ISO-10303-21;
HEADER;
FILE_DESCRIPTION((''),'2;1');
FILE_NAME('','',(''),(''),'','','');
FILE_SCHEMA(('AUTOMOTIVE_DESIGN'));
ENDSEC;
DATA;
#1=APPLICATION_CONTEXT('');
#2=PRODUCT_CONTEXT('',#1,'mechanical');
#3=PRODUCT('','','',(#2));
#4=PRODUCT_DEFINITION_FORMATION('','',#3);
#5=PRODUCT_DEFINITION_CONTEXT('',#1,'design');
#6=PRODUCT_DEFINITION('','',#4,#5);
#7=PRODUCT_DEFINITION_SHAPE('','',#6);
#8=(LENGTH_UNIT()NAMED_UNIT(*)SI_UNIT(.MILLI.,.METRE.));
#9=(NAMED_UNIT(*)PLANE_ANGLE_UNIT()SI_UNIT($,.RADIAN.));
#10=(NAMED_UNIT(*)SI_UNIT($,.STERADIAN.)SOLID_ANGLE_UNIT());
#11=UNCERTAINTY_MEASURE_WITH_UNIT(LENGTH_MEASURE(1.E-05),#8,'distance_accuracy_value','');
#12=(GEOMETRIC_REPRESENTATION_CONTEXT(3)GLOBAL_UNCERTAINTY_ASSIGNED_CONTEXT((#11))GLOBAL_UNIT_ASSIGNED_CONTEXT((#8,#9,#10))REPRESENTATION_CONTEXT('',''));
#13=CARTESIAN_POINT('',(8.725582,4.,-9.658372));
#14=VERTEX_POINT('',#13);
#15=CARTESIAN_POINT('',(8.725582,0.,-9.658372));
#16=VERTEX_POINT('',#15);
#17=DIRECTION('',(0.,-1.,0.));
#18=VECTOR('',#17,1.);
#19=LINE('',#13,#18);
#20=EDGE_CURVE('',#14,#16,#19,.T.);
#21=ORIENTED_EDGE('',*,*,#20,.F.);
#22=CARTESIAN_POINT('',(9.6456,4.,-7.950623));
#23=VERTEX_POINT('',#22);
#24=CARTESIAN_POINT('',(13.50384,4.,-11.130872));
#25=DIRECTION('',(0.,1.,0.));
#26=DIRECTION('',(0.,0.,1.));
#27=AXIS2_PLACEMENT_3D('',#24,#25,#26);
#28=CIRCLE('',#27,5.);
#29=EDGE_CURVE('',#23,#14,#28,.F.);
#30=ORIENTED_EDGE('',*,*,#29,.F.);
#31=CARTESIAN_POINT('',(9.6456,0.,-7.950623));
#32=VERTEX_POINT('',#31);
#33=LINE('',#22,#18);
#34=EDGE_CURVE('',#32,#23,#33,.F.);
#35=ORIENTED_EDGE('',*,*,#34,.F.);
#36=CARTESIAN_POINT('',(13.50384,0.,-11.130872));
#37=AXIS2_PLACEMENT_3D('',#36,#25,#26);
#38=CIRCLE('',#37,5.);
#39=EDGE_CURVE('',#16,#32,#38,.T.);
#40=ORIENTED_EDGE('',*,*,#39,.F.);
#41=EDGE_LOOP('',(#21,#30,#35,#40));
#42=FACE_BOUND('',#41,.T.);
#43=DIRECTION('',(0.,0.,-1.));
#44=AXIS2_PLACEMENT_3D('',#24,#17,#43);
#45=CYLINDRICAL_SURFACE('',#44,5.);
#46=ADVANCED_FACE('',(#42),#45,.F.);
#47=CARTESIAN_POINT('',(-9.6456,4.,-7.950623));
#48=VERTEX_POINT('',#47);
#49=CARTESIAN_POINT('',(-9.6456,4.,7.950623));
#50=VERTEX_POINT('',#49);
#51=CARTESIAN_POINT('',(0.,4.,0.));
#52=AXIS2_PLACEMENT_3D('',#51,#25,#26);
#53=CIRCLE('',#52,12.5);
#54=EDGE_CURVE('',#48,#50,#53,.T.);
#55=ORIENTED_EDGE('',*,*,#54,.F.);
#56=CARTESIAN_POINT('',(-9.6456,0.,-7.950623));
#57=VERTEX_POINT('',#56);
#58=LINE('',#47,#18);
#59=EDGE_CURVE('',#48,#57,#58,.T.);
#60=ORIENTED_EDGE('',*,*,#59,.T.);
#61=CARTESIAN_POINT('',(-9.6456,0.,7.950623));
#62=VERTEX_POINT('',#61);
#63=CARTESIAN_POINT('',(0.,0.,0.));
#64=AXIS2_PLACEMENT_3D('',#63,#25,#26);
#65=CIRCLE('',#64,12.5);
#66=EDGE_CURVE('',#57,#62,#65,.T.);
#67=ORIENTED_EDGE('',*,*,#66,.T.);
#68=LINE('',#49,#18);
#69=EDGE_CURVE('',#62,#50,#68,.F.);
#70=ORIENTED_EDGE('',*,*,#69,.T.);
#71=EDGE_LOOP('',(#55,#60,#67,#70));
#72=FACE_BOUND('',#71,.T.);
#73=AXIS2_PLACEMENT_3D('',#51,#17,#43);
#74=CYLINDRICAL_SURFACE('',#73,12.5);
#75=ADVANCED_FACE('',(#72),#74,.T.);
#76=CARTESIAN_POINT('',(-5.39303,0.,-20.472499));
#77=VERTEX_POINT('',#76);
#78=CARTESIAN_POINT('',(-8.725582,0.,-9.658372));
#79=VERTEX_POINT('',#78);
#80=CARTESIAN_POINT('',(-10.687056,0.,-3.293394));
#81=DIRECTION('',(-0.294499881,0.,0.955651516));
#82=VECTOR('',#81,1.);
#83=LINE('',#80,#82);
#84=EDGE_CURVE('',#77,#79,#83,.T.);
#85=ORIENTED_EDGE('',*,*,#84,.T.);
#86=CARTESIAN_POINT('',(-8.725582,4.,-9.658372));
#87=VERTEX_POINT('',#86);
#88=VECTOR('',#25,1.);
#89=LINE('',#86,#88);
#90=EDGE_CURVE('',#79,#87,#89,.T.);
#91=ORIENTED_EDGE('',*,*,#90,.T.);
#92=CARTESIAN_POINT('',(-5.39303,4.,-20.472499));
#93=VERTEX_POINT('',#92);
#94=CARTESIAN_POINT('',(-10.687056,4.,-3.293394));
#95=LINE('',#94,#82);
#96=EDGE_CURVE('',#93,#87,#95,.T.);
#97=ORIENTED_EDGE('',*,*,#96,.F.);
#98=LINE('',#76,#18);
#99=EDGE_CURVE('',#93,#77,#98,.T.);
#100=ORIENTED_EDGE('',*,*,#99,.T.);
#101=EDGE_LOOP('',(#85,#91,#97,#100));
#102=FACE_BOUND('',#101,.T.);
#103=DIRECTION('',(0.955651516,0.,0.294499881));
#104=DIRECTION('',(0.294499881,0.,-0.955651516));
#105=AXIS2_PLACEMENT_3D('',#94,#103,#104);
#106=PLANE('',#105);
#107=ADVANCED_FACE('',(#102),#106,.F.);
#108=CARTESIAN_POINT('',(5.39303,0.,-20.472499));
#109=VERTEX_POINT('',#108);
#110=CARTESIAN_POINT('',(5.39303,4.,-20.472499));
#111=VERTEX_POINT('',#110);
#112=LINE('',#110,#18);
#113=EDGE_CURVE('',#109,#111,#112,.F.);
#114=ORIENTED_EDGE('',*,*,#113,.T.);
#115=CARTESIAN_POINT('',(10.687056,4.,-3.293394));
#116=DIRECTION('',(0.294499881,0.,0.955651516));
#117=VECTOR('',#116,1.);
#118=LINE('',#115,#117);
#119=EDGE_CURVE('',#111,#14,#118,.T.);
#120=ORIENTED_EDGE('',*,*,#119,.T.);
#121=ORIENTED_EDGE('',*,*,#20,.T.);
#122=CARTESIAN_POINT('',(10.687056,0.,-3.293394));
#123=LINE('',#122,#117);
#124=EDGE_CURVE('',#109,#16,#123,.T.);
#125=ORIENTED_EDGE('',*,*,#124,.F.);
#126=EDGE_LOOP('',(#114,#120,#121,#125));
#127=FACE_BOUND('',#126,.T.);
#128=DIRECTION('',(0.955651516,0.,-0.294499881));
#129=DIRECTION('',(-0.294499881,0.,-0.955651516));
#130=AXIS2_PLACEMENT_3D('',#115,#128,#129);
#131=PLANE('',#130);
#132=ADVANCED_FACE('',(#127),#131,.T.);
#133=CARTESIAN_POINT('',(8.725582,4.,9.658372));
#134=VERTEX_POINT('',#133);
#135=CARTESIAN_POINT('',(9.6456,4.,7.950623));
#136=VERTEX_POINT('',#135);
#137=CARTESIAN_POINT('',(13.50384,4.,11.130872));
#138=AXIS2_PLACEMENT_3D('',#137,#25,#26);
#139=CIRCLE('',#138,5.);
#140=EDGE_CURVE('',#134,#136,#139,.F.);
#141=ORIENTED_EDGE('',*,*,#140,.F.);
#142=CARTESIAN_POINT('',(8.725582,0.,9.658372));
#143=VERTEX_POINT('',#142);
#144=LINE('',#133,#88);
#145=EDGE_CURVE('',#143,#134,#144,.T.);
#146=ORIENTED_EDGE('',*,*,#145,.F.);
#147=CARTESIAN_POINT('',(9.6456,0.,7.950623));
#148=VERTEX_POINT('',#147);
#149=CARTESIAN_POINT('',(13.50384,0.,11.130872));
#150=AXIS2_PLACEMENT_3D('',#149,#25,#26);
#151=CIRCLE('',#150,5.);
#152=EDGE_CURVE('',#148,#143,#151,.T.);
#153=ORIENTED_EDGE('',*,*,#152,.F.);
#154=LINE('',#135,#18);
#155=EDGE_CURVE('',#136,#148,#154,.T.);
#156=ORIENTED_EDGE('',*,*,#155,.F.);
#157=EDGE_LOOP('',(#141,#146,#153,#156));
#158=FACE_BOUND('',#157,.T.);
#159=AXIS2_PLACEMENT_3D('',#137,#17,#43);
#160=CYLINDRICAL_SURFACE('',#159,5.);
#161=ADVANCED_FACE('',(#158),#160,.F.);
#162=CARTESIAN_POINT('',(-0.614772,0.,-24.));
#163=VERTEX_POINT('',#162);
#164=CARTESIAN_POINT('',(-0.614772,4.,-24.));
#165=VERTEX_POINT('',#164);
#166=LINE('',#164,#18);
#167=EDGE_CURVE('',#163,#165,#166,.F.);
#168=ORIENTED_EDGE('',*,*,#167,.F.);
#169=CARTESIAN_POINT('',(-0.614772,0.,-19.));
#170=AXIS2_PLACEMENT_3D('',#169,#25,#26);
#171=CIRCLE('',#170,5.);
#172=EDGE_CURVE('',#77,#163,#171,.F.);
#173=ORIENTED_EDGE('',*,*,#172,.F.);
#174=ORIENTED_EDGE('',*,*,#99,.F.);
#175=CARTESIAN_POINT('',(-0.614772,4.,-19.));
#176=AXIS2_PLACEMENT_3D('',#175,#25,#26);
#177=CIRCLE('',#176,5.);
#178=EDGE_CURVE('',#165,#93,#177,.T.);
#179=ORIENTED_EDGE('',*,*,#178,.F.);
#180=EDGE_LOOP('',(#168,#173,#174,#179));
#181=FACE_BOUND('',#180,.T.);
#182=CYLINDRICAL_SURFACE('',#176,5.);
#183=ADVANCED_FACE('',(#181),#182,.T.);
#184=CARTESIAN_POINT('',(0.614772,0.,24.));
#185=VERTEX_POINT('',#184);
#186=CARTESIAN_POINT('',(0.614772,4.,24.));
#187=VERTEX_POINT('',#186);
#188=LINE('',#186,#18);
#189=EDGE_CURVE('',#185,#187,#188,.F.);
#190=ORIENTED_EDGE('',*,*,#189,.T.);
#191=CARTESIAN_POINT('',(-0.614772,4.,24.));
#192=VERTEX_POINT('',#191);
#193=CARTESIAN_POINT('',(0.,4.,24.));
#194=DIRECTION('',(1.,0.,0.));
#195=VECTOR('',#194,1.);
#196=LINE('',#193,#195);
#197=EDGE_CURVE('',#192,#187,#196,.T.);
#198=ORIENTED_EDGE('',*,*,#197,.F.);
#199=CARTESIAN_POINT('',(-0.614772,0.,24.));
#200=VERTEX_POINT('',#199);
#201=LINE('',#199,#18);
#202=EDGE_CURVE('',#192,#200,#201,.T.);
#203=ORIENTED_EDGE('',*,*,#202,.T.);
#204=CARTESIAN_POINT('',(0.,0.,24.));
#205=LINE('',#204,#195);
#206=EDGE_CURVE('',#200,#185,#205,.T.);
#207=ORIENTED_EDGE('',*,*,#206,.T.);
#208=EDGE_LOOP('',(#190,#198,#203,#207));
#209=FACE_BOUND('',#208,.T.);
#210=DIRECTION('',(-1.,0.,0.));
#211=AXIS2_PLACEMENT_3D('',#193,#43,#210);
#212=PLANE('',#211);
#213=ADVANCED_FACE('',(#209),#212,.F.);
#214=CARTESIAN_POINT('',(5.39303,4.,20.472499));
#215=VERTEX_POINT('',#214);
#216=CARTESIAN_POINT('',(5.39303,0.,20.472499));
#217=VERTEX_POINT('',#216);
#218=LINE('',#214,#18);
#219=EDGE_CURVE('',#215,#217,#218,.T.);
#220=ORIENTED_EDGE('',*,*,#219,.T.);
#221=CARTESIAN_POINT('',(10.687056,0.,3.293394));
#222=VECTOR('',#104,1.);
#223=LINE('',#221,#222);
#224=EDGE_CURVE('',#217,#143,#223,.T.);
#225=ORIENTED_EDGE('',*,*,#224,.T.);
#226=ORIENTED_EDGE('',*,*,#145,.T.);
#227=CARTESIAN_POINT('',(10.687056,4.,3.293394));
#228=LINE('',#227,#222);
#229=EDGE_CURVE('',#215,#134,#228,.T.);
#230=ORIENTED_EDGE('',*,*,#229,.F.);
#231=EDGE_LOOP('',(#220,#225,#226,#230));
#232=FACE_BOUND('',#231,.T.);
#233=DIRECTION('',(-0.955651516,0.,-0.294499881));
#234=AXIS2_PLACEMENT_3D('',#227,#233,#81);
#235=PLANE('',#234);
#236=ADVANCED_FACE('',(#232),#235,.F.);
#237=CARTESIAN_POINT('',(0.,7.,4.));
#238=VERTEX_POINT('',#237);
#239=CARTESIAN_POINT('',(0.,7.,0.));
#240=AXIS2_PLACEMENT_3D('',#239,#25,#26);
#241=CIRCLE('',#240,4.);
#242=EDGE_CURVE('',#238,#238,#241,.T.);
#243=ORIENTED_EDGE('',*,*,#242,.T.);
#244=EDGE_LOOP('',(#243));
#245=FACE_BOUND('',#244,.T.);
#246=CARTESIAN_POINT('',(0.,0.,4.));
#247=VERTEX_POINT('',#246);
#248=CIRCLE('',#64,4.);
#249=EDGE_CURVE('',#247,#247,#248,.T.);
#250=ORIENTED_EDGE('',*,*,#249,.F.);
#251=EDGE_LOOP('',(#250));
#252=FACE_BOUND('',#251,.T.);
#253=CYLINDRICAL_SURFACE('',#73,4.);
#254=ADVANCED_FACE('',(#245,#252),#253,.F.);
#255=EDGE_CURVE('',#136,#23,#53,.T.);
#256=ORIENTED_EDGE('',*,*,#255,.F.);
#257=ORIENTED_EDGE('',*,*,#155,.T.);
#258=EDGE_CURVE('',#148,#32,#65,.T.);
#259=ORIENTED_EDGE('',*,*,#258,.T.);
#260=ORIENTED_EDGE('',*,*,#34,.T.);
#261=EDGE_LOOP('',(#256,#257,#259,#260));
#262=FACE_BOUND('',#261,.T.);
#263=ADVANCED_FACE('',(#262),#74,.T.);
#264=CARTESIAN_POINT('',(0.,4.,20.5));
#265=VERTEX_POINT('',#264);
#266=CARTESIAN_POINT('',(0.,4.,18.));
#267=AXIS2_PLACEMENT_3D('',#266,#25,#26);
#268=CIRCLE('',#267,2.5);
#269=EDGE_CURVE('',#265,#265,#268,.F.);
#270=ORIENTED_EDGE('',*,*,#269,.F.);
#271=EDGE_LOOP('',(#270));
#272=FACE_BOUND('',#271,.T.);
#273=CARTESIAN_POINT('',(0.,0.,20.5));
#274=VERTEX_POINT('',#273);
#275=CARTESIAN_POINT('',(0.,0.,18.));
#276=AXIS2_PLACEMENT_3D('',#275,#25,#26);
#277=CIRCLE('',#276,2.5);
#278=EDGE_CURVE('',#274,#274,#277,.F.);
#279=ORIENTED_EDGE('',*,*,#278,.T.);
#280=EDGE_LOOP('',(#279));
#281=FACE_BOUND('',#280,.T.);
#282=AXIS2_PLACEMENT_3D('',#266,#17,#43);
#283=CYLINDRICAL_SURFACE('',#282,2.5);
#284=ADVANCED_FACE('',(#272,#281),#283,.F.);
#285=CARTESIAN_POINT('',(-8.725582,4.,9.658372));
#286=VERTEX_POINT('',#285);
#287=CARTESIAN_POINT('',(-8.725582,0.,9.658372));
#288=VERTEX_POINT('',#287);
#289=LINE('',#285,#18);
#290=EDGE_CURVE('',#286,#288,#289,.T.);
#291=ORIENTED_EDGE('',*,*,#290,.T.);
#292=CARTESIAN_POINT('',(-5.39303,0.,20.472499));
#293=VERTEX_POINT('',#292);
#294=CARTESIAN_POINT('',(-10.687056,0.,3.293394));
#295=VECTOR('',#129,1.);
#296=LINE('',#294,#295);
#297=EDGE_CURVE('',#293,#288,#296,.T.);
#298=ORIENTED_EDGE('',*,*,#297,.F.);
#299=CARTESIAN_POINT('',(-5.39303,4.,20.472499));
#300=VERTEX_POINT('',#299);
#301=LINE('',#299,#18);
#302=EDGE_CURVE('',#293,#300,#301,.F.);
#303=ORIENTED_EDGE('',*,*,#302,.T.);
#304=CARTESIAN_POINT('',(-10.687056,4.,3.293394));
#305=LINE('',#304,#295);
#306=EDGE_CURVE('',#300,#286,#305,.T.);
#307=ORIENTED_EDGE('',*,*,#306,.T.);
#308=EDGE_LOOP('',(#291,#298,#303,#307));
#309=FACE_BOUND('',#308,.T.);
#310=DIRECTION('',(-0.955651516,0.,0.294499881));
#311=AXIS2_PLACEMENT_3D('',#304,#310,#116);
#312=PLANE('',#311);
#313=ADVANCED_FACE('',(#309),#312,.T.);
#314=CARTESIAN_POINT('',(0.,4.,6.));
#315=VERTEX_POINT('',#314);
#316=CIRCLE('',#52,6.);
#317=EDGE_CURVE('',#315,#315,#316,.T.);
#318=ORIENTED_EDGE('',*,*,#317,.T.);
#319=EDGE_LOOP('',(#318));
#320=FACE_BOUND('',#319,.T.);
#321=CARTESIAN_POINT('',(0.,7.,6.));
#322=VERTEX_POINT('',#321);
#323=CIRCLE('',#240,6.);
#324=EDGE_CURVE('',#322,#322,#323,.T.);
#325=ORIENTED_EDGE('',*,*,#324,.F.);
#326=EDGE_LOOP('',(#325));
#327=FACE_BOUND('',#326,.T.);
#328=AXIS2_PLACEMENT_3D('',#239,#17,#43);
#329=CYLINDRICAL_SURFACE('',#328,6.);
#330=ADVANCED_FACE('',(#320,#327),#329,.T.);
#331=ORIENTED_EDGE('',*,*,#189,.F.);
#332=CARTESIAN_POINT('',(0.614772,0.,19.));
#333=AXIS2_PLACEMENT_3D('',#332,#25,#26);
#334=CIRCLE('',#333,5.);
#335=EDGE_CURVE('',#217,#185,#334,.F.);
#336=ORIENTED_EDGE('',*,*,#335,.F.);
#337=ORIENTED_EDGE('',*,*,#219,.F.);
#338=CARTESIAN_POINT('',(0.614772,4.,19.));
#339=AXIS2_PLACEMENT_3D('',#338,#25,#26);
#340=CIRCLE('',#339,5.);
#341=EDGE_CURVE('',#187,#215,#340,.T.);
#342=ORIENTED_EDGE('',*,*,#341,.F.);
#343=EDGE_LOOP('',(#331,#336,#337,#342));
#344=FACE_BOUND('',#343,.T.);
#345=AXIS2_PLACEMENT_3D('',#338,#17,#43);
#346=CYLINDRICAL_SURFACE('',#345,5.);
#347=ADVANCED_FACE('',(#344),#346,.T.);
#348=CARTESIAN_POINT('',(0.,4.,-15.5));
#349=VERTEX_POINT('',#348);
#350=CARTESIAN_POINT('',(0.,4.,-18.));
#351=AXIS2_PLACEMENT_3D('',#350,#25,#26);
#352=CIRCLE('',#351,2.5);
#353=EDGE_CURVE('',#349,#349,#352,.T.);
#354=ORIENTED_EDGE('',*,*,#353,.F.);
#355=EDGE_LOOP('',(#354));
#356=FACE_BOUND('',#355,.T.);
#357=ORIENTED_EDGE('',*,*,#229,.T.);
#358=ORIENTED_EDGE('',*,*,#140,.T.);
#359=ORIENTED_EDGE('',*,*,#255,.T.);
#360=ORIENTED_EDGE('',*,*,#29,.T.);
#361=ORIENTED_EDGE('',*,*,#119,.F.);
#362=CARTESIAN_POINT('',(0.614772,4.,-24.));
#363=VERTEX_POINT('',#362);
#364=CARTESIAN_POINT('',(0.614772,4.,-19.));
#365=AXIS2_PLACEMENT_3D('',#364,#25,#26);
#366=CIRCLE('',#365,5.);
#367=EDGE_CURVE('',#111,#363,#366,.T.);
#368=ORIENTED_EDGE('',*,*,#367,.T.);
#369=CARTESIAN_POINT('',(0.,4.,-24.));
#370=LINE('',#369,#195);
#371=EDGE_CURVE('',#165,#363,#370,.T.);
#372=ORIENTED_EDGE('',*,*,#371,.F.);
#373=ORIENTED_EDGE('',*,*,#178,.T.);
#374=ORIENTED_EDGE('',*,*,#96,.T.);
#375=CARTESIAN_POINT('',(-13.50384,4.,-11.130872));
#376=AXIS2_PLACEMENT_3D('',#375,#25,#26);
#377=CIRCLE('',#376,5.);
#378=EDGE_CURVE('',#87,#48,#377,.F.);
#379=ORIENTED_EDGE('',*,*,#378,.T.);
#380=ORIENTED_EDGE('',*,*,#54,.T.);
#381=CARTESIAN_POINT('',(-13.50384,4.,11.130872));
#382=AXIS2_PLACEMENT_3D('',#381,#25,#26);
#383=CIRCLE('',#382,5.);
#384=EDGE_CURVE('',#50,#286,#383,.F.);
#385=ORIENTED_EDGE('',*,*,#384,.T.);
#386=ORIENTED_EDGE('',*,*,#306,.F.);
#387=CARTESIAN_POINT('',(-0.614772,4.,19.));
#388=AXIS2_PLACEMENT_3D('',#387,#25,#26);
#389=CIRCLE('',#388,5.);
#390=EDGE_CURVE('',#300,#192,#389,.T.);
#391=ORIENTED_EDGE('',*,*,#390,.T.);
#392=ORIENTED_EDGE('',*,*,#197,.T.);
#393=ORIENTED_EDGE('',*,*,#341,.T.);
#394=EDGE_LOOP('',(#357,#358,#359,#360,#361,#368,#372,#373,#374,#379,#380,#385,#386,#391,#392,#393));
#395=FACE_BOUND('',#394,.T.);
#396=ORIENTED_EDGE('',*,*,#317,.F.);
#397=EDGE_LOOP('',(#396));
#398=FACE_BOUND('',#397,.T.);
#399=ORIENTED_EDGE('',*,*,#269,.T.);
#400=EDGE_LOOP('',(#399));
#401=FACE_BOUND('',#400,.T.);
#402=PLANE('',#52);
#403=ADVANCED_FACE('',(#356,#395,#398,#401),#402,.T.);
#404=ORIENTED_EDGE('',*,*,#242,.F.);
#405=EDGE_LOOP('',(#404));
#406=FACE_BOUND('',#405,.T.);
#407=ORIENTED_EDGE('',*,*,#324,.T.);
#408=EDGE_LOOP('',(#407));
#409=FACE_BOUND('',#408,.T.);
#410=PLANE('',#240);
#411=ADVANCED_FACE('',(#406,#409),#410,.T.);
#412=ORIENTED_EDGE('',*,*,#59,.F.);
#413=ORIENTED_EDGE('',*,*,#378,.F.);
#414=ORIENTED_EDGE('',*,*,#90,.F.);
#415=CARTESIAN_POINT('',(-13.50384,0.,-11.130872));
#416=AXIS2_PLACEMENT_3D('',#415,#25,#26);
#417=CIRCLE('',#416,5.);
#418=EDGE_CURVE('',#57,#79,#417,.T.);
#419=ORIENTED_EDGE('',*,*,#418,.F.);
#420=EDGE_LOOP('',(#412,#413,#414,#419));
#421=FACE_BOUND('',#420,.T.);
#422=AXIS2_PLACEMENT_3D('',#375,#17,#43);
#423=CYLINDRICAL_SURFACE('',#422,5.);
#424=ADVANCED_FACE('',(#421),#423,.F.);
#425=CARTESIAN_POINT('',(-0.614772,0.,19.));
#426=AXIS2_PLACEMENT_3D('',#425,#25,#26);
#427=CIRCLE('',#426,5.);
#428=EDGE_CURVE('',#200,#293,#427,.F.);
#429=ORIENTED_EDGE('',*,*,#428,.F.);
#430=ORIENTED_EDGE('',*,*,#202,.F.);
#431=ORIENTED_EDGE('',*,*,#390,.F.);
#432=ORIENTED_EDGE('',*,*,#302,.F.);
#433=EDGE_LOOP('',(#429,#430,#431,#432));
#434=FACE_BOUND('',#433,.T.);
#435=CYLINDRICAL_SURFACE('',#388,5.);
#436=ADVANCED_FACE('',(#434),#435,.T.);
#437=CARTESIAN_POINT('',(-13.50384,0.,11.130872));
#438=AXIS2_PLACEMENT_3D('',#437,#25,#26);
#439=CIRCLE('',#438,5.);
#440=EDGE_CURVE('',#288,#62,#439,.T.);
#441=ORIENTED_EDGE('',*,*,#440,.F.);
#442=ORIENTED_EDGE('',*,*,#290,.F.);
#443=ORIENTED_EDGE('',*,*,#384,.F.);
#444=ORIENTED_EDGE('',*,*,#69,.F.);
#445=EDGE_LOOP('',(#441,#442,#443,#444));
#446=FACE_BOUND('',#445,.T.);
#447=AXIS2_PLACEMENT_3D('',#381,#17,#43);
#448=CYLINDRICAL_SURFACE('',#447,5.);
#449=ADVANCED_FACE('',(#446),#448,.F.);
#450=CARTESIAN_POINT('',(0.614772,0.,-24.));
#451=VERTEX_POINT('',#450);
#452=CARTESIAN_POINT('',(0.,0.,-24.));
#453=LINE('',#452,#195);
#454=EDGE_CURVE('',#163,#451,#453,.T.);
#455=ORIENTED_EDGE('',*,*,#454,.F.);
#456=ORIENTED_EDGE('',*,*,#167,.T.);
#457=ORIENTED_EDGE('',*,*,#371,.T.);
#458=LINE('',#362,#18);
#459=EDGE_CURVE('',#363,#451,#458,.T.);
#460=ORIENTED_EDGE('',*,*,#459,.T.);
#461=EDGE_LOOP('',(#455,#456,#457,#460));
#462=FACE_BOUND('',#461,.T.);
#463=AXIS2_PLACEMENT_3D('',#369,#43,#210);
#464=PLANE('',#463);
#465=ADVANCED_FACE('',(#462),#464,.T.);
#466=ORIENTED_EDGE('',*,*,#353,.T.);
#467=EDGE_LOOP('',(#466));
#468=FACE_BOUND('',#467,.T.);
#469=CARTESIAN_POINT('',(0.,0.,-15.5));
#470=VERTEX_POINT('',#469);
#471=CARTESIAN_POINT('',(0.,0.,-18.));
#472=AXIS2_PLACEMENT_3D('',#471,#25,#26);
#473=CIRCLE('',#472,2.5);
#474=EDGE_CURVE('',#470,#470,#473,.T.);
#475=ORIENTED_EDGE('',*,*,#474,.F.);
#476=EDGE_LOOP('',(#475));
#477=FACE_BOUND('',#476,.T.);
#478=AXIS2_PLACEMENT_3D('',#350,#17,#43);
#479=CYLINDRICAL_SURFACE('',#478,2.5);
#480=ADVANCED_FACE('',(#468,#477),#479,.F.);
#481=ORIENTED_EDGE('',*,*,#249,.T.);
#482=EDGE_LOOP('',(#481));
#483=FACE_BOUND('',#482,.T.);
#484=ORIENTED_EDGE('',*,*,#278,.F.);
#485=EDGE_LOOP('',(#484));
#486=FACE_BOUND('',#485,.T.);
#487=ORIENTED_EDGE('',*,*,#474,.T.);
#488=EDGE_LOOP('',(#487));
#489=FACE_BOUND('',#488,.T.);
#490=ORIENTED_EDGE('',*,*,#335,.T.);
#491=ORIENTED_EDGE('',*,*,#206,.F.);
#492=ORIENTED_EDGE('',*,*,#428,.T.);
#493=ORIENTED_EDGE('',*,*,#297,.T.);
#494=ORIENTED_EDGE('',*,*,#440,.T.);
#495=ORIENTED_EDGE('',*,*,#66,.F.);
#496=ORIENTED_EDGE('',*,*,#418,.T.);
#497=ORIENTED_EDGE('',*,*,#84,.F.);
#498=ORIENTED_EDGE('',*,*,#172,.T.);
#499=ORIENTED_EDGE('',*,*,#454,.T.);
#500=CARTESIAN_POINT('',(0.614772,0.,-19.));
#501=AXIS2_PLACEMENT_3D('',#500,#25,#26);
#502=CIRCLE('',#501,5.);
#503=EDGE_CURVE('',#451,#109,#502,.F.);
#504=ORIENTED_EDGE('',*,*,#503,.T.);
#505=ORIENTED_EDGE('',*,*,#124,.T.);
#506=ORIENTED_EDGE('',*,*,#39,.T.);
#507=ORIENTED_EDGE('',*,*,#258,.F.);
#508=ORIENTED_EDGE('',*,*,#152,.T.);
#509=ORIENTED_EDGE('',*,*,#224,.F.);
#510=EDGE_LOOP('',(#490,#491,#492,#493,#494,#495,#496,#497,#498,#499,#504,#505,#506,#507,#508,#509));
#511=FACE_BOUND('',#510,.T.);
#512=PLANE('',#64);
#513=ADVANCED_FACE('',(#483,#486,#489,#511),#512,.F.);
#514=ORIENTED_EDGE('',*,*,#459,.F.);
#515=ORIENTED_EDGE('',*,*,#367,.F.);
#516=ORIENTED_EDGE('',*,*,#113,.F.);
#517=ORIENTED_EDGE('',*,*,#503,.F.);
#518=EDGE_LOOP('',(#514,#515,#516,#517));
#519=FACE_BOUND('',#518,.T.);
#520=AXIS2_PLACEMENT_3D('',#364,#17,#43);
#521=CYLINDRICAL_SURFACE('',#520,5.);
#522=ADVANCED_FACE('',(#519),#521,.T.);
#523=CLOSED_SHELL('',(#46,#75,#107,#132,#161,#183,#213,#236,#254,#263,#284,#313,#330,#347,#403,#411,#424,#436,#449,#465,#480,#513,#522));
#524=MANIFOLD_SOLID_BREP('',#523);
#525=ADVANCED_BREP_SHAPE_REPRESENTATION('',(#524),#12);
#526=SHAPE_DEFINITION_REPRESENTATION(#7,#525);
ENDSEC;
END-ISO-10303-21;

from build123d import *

# Parameters (mm, degrees)
SKETCH_1_R      = 2.5
SKETCH_1_R_2    = 12.5
SKETCH_1_R_3    = 4
EXTRUDE_1_DEPTH = 4
FILLET_1_R      = 5
SKETCH_2_R      = 6
SKETCH_2_R_2    = 4
EXTRUDE_2_DEPTH = 3


with BuildPart() as part:
    # 草图1 → 凸台-拉伸1 (new body)
    with BuildSketch(Plane(origin=(0, 0, 0), x_dir=(1, 0, 0), z_dir=(0, 1, 0))):
        with BuildLine():
            Line((-9.042322889, -8.630550201), (-4.305971765, -24))
            Line((-4.305971765, -24), (4.305971765, -24))
            Line((4.305971765, -24), (9.042322889, -8.630550201))
            ThreePointArc((9.042322889, -8.630550201), (0, -12.5), (-9.042322889, -8.630550201))
        make_face()
        with Locations((0, -18)):
            Circle(SKETCH_1_R, mode=Mode.SUBTRACT)
        Circle(SKETCH_1_R_2)
        Circle(SKETCH_1_R_3, mode=Mode.SUBTRACT)
        with BuildLine():
            Line((-4.305971765, 24), (-9.042322889, 8.630550201))
            ThreePointArc((-9.042322889, 8.630550201), (0, 12.5), (9.042322889, 8.630550201))
            Line((9.042322889, 8.630550201), (4.305971765, 24))
            Line((4.305971765, 24), (-4.305971765, 24))
        make_face()
        with Locations((0, 18)):
            Circle(SKETCH_1_R, mode=Mode.SUBTRACT)
    extrude(amount=EXTRUDE_1_DEPTH)

    # 圆角1
    fillet_1_edges = [part.edges().sort_by_distance(p)[0] for p in [
        (4.305971765, 2, 24),
        (-4.305971765, 2, 24),
        (-9.042322889, 2, 8.630550201),
        (-9.042322889, 2, -8.630550201),
        (-4.305971765, 2, -24),
        (4.305971765, 2, -24),
        (9.042322889, 2, -8.630550201),
        (9.042322889, 2, 8.630550201),
    ]]
    fillet(fillet_1_edges, radius=FILLET_1_R)

    # 草图2 → 凸台-拉伸2 (add)
    with BuildSketch(Plane(origin=(0, 4, 0), x_dir=(1, 0, 0), z_dir=(0, 1, 0))):
        Circle(SKETCH_2_R)
        Circle(SKETCH_2_R_2, mode=Mode.SUBTRACT)
    extrude(amount=EXTRUDE_2_DEPTH)


solid = part.part
